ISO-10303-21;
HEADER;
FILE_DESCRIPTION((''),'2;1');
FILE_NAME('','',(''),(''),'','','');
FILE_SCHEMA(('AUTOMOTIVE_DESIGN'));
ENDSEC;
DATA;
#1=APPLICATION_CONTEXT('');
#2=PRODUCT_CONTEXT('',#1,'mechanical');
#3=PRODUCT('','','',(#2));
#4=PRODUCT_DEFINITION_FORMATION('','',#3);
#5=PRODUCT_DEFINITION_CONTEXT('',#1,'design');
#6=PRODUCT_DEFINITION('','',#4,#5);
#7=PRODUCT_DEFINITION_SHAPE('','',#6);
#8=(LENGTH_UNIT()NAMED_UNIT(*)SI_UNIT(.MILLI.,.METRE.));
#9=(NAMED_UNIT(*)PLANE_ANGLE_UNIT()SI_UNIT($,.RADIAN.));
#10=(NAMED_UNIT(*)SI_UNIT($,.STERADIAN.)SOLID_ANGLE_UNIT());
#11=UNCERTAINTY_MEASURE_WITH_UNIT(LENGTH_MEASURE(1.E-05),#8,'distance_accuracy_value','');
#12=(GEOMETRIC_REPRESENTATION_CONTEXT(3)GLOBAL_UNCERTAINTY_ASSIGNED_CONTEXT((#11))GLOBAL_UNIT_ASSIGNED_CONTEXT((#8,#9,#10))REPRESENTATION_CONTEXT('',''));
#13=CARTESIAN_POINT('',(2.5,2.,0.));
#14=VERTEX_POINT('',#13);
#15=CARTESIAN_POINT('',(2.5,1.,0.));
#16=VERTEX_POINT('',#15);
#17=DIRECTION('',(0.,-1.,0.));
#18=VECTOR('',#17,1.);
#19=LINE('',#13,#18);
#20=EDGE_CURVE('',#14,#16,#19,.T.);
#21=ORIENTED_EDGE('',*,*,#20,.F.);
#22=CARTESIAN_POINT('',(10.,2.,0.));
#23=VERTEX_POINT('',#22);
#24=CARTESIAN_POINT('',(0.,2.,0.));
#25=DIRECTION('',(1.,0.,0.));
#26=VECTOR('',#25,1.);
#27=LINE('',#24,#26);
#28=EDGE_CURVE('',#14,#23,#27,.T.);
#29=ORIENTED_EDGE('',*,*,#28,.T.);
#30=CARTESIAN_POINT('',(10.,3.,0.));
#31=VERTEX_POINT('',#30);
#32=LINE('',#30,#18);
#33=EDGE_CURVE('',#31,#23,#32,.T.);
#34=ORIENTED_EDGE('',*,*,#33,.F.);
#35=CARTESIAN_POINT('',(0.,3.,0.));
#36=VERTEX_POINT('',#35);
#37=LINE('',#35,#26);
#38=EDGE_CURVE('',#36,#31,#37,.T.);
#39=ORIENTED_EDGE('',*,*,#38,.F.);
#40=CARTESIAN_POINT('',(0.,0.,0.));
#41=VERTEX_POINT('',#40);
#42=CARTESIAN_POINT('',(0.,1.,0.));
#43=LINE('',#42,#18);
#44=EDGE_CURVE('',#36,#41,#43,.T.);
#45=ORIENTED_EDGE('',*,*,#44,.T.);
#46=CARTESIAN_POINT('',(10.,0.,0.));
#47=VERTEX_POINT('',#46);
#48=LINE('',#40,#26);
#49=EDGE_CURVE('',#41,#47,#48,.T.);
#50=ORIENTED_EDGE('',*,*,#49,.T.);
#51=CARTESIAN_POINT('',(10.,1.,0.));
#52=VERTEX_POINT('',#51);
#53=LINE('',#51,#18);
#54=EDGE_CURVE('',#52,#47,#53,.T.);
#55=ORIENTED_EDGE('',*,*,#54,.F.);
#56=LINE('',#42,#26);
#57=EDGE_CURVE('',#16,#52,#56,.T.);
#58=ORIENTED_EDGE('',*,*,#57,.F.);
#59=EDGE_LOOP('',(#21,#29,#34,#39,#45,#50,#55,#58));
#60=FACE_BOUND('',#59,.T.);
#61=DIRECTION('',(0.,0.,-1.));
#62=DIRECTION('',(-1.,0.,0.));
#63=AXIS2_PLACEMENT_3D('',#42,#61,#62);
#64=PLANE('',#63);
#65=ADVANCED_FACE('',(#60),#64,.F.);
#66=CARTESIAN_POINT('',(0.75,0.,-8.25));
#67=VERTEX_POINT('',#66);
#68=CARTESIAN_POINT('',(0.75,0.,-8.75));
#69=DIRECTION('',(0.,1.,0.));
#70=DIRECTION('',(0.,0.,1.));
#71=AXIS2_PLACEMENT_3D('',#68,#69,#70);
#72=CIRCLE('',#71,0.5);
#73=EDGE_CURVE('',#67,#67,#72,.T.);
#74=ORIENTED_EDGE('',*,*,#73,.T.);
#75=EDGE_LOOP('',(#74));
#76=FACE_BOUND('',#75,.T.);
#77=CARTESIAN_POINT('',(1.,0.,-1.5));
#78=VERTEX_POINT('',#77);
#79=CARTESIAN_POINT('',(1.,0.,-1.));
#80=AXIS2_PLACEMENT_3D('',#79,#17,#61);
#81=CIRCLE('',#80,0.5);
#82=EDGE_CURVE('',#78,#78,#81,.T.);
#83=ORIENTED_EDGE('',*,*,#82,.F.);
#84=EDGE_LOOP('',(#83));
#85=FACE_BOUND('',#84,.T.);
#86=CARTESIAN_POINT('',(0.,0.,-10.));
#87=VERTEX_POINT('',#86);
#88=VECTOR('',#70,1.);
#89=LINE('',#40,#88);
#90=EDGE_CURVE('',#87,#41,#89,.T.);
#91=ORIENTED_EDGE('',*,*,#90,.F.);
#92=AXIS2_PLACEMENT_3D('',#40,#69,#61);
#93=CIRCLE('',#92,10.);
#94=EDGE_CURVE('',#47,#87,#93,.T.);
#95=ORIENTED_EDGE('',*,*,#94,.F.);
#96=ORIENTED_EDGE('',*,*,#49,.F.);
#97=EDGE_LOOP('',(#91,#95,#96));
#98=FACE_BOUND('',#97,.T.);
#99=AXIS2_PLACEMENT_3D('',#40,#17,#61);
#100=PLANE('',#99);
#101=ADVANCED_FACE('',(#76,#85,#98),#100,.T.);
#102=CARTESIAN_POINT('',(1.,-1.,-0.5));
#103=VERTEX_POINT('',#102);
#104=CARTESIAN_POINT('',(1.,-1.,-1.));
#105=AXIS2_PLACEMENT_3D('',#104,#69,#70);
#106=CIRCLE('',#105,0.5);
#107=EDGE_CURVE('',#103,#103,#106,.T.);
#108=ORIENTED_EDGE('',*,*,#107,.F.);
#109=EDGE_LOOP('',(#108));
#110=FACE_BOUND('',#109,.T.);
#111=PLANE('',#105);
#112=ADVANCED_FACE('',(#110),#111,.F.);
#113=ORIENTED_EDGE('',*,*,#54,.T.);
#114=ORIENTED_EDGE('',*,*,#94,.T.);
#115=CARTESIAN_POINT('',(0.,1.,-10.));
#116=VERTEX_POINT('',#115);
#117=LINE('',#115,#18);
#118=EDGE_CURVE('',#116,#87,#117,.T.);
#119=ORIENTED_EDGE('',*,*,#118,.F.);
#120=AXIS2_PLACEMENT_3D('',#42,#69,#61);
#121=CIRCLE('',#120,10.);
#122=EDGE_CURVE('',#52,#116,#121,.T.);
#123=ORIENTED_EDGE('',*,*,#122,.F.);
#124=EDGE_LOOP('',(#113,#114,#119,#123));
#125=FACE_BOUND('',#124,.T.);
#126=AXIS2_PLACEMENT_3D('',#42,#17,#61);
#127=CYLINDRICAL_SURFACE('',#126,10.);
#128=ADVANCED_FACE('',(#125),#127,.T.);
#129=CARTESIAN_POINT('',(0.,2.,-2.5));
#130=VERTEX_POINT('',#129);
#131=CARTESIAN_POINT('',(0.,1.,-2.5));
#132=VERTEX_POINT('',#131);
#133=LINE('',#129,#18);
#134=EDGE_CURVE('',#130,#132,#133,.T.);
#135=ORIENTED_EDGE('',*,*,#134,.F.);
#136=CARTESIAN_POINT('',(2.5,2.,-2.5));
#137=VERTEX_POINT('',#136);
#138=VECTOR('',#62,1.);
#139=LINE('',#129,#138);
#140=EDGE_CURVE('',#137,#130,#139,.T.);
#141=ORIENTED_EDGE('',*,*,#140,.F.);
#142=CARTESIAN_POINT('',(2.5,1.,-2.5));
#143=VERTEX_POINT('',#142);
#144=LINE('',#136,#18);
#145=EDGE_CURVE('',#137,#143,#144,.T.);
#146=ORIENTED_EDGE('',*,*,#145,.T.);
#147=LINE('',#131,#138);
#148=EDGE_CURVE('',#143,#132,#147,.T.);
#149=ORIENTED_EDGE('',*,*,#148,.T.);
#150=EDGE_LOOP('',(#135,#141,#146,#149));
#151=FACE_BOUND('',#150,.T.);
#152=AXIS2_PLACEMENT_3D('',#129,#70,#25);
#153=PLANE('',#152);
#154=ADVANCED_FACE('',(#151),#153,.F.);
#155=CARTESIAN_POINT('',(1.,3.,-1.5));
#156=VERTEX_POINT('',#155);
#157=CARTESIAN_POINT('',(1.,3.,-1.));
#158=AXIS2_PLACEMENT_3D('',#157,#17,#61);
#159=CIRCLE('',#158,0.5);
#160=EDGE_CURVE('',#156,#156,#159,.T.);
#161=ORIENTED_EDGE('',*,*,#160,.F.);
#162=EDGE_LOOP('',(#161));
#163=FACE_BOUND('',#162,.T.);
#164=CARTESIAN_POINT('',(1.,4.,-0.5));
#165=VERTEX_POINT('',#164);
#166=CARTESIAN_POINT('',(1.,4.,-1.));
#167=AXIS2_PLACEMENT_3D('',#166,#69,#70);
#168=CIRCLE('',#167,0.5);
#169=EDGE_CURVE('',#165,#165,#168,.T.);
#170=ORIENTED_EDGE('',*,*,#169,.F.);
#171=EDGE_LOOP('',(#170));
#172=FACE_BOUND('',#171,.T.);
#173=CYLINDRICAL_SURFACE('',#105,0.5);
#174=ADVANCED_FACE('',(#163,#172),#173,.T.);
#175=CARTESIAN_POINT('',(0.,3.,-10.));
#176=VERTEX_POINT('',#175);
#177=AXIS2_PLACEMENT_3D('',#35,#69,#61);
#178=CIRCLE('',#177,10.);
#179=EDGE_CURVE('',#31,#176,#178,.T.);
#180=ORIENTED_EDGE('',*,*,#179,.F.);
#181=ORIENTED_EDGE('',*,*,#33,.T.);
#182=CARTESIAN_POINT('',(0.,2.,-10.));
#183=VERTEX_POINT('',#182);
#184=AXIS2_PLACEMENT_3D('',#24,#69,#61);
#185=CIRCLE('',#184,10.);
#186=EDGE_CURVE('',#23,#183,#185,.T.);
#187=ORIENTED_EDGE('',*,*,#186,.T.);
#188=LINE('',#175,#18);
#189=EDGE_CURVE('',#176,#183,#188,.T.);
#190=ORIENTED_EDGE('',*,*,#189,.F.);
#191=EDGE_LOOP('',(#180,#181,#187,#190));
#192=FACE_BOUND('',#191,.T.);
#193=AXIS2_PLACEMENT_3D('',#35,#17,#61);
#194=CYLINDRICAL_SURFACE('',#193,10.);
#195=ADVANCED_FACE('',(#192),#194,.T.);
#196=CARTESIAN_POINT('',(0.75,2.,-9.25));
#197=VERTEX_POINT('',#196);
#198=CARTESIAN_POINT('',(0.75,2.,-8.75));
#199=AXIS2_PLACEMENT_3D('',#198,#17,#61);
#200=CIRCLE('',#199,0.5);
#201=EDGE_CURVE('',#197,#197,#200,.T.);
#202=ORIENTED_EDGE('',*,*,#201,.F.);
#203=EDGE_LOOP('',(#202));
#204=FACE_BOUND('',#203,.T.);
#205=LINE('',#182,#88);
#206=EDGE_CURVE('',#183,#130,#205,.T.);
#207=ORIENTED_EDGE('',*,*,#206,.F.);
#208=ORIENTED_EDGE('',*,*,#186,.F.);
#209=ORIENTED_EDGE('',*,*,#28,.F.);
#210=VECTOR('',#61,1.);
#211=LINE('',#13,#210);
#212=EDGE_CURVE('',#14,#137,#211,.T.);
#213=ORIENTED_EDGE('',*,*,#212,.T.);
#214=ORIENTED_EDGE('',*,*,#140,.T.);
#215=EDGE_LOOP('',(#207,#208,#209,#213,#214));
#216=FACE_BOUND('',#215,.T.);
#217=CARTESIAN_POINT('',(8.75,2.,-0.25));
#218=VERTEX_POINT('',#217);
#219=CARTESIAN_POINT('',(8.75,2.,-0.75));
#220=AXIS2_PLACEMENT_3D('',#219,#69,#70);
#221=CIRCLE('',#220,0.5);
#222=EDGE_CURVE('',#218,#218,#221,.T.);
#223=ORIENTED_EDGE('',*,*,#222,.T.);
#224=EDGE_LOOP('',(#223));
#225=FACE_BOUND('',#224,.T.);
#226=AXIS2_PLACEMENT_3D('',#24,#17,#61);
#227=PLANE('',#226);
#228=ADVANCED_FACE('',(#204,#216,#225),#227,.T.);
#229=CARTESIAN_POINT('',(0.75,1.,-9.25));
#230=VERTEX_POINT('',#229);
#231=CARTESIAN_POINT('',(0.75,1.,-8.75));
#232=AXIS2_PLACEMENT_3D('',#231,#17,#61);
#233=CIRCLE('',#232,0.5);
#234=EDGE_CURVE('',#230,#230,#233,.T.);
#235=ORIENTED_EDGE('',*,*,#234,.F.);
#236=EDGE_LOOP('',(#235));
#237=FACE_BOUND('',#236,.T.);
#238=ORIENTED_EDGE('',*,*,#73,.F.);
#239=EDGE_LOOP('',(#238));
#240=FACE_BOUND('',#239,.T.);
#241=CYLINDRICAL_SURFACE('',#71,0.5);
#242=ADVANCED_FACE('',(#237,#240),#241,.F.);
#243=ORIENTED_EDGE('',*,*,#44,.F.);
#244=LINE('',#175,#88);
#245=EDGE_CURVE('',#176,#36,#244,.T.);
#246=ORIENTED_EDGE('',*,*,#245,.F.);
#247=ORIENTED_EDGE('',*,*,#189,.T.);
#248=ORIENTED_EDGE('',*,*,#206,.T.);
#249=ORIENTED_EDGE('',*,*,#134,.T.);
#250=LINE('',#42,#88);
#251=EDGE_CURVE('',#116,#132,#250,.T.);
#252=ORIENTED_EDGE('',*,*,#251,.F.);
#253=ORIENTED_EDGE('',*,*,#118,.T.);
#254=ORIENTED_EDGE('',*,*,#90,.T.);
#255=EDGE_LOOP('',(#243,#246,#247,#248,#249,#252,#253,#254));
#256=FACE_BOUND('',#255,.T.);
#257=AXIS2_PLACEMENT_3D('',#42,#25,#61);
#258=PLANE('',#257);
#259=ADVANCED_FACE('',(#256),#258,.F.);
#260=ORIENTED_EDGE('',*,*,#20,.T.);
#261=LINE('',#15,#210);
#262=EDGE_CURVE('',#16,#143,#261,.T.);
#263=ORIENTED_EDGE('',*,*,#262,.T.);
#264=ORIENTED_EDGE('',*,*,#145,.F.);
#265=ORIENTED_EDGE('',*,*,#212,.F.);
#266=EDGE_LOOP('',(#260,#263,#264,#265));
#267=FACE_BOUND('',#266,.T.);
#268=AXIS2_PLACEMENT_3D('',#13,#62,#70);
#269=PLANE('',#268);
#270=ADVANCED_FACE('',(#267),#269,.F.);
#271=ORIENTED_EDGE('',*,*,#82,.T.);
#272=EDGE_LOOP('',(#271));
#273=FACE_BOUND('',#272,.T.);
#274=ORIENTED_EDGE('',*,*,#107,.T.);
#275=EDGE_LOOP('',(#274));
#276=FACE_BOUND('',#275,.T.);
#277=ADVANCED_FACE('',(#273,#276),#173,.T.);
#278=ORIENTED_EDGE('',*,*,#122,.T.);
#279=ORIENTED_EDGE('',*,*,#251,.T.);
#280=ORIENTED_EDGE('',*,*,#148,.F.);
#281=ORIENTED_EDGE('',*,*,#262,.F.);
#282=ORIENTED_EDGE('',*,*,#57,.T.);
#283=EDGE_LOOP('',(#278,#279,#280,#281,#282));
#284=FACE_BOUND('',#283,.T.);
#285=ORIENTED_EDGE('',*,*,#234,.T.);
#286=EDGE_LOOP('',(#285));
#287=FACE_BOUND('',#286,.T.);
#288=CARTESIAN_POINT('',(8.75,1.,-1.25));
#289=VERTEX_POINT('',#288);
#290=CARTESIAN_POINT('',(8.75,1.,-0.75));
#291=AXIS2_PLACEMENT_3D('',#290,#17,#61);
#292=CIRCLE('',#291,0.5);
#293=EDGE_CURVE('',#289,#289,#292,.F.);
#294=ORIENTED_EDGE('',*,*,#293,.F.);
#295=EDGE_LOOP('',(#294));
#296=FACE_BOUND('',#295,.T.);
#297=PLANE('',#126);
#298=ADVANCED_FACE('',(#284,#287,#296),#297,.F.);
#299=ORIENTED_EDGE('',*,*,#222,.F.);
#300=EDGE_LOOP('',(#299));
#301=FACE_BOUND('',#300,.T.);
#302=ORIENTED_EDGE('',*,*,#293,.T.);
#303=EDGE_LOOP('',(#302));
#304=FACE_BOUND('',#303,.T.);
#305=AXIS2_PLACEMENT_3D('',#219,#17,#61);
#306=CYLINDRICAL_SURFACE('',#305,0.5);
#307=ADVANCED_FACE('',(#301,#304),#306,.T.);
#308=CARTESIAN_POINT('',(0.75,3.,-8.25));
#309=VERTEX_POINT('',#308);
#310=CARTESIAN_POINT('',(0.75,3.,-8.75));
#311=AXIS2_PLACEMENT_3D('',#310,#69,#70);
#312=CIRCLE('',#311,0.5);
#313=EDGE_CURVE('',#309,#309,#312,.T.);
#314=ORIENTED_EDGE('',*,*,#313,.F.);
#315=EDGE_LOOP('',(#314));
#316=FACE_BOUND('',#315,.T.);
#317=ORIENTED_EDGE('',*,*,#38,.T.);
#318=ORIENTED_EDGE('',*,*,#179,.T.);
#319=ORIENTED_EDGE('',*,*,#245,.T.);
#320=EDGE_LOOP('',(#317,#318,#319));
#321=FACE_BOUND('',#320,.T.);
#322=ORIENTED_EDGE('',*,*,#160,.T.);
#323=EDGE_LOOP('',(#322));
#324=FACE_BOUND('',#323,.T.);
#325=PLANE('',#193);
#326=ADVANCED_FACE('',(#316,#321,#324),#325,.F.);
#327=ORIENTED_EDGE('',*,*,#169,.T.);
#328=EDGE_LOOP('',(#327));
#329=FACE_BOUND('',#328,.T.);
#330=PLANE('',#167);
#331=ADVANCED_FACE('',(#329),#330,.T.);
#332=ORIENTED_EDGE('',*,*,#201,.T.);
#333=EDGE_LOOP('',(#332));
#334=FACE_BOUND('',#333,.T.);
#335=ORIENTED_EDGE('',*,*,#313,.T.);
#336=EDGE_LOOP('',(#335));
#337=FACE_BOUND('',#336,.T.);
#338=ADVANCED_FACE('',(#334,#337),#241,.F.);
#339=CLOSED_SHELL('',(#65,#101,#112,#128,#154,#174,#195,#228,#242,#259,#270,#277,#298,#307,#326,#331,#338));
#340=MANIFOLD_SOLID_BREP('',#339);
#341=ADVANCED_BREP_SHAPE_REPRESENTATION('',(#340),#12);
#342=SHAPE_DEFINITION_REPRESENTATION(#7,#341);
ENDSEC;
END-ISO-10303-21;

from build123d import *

# Parameters (mm, degrees)
BOSS_EXTRUDE1_DEPTH      = 1
SKETCH2_R                = 0.5
SKETCH2_W                = 2.5
SKETCH2_H                = 2.5
BOSS_EXTRUDE2_DEPTH      = 1
BOSS_EXTRUDE3_DEPTH      = 1
SKETCH4_R                = 0.5
CUT_EXTRUDE1_DEPTH       = 15.456832295
BOSS_EXTRUDE4_DEPTH      = 1
BOSS_EXTRUDE4_DEPTH_BACK = 4
SKETCH5_R                = 0.5


with BuildPart() as part:
    # Sketch1 → Boss-Extrude1 (new body)
    with BuildSketch(Plane(origin=(0, 0, 0), x_dir=(1, 0, 0), z_dir=(0, 1, 0))):
        with BuildLine():
            Line((0, 0), (10, 0))
            ThreePointArc((10, 0), (7.071067812, 7.071067812), (0, 10))
            Line((0, 10), (0, 0))
        make_face()
    extrude(amount=BOSS_EXTRUDE1_DEPTH)

    # Sketch2 → Boss-Extrude2 (add)
    with BuildSketch(Plane(origin=(0, 1, 0), x_dir=(1, 0, 0), z_dir=(0, 1, 0))):
        with Locations(Location((8.75, 0.75, 0), (0, 0, 90))):
            Circle(SKETCH2_R)
        with Locations((1.25, 1.25)):
            Rectangle(SKETCH2_W, SKETCH2_H)
    extrude(amount=BOSS_EXTRUDE2_DEPTH)

    # Sketch3 → Boss-Extrude3 (add)
    with BuildSketch(Plane(origin=(0, 2, 0), x_dir=(1, 0, 0), z_dir=(0, 1, 0))):
        with BuildLine():
            Line((0, 10), (0, 0))
            Line((0, 0), (10, 0))
            ThreePointArc((10, 0), (7.071067812, 7.071067812), (0, 10))
        make_face()
    extrude(amount=BOSS_EXTRUDE3_DEPTH)

    # Sketch4 → Cut-Extrude1 (cut, through all)
    with BuildSketch(Plane(origin=(0, 3, 0), x_dir=(1, 0, 0), z_dir=(0, 1, 0))):
        with Locations(Location((0.75, 8.75, 0), (0, 0, 270))):
            Circle(SKETCH4_R)
    extrude(amount=-CUT_EXTRUDE1_DEPTH, mode=Mode.SUBTRACT)

    # Sketch5 → Boss-Extrude4 (add, two sides: drawn at the far end of the back side and taken through both)
    with BuildSketch(Plane(origin=(0, 3, 0), x_dir=(1, 0, 0), z_dir=(0, 1, 0)).offset(-BOSS_EXTRUDE4_DEPTH_BACK)):
        with Locations(Location((1, 1, 0), (0, 0, 270))):
            Circle(SKETCH5_R)
    extrude(amount=BOSS_EXTRUDE4_DEPTH + BOSS_EXTRUDE4_DEPTH_BACK)


solid = part.part
